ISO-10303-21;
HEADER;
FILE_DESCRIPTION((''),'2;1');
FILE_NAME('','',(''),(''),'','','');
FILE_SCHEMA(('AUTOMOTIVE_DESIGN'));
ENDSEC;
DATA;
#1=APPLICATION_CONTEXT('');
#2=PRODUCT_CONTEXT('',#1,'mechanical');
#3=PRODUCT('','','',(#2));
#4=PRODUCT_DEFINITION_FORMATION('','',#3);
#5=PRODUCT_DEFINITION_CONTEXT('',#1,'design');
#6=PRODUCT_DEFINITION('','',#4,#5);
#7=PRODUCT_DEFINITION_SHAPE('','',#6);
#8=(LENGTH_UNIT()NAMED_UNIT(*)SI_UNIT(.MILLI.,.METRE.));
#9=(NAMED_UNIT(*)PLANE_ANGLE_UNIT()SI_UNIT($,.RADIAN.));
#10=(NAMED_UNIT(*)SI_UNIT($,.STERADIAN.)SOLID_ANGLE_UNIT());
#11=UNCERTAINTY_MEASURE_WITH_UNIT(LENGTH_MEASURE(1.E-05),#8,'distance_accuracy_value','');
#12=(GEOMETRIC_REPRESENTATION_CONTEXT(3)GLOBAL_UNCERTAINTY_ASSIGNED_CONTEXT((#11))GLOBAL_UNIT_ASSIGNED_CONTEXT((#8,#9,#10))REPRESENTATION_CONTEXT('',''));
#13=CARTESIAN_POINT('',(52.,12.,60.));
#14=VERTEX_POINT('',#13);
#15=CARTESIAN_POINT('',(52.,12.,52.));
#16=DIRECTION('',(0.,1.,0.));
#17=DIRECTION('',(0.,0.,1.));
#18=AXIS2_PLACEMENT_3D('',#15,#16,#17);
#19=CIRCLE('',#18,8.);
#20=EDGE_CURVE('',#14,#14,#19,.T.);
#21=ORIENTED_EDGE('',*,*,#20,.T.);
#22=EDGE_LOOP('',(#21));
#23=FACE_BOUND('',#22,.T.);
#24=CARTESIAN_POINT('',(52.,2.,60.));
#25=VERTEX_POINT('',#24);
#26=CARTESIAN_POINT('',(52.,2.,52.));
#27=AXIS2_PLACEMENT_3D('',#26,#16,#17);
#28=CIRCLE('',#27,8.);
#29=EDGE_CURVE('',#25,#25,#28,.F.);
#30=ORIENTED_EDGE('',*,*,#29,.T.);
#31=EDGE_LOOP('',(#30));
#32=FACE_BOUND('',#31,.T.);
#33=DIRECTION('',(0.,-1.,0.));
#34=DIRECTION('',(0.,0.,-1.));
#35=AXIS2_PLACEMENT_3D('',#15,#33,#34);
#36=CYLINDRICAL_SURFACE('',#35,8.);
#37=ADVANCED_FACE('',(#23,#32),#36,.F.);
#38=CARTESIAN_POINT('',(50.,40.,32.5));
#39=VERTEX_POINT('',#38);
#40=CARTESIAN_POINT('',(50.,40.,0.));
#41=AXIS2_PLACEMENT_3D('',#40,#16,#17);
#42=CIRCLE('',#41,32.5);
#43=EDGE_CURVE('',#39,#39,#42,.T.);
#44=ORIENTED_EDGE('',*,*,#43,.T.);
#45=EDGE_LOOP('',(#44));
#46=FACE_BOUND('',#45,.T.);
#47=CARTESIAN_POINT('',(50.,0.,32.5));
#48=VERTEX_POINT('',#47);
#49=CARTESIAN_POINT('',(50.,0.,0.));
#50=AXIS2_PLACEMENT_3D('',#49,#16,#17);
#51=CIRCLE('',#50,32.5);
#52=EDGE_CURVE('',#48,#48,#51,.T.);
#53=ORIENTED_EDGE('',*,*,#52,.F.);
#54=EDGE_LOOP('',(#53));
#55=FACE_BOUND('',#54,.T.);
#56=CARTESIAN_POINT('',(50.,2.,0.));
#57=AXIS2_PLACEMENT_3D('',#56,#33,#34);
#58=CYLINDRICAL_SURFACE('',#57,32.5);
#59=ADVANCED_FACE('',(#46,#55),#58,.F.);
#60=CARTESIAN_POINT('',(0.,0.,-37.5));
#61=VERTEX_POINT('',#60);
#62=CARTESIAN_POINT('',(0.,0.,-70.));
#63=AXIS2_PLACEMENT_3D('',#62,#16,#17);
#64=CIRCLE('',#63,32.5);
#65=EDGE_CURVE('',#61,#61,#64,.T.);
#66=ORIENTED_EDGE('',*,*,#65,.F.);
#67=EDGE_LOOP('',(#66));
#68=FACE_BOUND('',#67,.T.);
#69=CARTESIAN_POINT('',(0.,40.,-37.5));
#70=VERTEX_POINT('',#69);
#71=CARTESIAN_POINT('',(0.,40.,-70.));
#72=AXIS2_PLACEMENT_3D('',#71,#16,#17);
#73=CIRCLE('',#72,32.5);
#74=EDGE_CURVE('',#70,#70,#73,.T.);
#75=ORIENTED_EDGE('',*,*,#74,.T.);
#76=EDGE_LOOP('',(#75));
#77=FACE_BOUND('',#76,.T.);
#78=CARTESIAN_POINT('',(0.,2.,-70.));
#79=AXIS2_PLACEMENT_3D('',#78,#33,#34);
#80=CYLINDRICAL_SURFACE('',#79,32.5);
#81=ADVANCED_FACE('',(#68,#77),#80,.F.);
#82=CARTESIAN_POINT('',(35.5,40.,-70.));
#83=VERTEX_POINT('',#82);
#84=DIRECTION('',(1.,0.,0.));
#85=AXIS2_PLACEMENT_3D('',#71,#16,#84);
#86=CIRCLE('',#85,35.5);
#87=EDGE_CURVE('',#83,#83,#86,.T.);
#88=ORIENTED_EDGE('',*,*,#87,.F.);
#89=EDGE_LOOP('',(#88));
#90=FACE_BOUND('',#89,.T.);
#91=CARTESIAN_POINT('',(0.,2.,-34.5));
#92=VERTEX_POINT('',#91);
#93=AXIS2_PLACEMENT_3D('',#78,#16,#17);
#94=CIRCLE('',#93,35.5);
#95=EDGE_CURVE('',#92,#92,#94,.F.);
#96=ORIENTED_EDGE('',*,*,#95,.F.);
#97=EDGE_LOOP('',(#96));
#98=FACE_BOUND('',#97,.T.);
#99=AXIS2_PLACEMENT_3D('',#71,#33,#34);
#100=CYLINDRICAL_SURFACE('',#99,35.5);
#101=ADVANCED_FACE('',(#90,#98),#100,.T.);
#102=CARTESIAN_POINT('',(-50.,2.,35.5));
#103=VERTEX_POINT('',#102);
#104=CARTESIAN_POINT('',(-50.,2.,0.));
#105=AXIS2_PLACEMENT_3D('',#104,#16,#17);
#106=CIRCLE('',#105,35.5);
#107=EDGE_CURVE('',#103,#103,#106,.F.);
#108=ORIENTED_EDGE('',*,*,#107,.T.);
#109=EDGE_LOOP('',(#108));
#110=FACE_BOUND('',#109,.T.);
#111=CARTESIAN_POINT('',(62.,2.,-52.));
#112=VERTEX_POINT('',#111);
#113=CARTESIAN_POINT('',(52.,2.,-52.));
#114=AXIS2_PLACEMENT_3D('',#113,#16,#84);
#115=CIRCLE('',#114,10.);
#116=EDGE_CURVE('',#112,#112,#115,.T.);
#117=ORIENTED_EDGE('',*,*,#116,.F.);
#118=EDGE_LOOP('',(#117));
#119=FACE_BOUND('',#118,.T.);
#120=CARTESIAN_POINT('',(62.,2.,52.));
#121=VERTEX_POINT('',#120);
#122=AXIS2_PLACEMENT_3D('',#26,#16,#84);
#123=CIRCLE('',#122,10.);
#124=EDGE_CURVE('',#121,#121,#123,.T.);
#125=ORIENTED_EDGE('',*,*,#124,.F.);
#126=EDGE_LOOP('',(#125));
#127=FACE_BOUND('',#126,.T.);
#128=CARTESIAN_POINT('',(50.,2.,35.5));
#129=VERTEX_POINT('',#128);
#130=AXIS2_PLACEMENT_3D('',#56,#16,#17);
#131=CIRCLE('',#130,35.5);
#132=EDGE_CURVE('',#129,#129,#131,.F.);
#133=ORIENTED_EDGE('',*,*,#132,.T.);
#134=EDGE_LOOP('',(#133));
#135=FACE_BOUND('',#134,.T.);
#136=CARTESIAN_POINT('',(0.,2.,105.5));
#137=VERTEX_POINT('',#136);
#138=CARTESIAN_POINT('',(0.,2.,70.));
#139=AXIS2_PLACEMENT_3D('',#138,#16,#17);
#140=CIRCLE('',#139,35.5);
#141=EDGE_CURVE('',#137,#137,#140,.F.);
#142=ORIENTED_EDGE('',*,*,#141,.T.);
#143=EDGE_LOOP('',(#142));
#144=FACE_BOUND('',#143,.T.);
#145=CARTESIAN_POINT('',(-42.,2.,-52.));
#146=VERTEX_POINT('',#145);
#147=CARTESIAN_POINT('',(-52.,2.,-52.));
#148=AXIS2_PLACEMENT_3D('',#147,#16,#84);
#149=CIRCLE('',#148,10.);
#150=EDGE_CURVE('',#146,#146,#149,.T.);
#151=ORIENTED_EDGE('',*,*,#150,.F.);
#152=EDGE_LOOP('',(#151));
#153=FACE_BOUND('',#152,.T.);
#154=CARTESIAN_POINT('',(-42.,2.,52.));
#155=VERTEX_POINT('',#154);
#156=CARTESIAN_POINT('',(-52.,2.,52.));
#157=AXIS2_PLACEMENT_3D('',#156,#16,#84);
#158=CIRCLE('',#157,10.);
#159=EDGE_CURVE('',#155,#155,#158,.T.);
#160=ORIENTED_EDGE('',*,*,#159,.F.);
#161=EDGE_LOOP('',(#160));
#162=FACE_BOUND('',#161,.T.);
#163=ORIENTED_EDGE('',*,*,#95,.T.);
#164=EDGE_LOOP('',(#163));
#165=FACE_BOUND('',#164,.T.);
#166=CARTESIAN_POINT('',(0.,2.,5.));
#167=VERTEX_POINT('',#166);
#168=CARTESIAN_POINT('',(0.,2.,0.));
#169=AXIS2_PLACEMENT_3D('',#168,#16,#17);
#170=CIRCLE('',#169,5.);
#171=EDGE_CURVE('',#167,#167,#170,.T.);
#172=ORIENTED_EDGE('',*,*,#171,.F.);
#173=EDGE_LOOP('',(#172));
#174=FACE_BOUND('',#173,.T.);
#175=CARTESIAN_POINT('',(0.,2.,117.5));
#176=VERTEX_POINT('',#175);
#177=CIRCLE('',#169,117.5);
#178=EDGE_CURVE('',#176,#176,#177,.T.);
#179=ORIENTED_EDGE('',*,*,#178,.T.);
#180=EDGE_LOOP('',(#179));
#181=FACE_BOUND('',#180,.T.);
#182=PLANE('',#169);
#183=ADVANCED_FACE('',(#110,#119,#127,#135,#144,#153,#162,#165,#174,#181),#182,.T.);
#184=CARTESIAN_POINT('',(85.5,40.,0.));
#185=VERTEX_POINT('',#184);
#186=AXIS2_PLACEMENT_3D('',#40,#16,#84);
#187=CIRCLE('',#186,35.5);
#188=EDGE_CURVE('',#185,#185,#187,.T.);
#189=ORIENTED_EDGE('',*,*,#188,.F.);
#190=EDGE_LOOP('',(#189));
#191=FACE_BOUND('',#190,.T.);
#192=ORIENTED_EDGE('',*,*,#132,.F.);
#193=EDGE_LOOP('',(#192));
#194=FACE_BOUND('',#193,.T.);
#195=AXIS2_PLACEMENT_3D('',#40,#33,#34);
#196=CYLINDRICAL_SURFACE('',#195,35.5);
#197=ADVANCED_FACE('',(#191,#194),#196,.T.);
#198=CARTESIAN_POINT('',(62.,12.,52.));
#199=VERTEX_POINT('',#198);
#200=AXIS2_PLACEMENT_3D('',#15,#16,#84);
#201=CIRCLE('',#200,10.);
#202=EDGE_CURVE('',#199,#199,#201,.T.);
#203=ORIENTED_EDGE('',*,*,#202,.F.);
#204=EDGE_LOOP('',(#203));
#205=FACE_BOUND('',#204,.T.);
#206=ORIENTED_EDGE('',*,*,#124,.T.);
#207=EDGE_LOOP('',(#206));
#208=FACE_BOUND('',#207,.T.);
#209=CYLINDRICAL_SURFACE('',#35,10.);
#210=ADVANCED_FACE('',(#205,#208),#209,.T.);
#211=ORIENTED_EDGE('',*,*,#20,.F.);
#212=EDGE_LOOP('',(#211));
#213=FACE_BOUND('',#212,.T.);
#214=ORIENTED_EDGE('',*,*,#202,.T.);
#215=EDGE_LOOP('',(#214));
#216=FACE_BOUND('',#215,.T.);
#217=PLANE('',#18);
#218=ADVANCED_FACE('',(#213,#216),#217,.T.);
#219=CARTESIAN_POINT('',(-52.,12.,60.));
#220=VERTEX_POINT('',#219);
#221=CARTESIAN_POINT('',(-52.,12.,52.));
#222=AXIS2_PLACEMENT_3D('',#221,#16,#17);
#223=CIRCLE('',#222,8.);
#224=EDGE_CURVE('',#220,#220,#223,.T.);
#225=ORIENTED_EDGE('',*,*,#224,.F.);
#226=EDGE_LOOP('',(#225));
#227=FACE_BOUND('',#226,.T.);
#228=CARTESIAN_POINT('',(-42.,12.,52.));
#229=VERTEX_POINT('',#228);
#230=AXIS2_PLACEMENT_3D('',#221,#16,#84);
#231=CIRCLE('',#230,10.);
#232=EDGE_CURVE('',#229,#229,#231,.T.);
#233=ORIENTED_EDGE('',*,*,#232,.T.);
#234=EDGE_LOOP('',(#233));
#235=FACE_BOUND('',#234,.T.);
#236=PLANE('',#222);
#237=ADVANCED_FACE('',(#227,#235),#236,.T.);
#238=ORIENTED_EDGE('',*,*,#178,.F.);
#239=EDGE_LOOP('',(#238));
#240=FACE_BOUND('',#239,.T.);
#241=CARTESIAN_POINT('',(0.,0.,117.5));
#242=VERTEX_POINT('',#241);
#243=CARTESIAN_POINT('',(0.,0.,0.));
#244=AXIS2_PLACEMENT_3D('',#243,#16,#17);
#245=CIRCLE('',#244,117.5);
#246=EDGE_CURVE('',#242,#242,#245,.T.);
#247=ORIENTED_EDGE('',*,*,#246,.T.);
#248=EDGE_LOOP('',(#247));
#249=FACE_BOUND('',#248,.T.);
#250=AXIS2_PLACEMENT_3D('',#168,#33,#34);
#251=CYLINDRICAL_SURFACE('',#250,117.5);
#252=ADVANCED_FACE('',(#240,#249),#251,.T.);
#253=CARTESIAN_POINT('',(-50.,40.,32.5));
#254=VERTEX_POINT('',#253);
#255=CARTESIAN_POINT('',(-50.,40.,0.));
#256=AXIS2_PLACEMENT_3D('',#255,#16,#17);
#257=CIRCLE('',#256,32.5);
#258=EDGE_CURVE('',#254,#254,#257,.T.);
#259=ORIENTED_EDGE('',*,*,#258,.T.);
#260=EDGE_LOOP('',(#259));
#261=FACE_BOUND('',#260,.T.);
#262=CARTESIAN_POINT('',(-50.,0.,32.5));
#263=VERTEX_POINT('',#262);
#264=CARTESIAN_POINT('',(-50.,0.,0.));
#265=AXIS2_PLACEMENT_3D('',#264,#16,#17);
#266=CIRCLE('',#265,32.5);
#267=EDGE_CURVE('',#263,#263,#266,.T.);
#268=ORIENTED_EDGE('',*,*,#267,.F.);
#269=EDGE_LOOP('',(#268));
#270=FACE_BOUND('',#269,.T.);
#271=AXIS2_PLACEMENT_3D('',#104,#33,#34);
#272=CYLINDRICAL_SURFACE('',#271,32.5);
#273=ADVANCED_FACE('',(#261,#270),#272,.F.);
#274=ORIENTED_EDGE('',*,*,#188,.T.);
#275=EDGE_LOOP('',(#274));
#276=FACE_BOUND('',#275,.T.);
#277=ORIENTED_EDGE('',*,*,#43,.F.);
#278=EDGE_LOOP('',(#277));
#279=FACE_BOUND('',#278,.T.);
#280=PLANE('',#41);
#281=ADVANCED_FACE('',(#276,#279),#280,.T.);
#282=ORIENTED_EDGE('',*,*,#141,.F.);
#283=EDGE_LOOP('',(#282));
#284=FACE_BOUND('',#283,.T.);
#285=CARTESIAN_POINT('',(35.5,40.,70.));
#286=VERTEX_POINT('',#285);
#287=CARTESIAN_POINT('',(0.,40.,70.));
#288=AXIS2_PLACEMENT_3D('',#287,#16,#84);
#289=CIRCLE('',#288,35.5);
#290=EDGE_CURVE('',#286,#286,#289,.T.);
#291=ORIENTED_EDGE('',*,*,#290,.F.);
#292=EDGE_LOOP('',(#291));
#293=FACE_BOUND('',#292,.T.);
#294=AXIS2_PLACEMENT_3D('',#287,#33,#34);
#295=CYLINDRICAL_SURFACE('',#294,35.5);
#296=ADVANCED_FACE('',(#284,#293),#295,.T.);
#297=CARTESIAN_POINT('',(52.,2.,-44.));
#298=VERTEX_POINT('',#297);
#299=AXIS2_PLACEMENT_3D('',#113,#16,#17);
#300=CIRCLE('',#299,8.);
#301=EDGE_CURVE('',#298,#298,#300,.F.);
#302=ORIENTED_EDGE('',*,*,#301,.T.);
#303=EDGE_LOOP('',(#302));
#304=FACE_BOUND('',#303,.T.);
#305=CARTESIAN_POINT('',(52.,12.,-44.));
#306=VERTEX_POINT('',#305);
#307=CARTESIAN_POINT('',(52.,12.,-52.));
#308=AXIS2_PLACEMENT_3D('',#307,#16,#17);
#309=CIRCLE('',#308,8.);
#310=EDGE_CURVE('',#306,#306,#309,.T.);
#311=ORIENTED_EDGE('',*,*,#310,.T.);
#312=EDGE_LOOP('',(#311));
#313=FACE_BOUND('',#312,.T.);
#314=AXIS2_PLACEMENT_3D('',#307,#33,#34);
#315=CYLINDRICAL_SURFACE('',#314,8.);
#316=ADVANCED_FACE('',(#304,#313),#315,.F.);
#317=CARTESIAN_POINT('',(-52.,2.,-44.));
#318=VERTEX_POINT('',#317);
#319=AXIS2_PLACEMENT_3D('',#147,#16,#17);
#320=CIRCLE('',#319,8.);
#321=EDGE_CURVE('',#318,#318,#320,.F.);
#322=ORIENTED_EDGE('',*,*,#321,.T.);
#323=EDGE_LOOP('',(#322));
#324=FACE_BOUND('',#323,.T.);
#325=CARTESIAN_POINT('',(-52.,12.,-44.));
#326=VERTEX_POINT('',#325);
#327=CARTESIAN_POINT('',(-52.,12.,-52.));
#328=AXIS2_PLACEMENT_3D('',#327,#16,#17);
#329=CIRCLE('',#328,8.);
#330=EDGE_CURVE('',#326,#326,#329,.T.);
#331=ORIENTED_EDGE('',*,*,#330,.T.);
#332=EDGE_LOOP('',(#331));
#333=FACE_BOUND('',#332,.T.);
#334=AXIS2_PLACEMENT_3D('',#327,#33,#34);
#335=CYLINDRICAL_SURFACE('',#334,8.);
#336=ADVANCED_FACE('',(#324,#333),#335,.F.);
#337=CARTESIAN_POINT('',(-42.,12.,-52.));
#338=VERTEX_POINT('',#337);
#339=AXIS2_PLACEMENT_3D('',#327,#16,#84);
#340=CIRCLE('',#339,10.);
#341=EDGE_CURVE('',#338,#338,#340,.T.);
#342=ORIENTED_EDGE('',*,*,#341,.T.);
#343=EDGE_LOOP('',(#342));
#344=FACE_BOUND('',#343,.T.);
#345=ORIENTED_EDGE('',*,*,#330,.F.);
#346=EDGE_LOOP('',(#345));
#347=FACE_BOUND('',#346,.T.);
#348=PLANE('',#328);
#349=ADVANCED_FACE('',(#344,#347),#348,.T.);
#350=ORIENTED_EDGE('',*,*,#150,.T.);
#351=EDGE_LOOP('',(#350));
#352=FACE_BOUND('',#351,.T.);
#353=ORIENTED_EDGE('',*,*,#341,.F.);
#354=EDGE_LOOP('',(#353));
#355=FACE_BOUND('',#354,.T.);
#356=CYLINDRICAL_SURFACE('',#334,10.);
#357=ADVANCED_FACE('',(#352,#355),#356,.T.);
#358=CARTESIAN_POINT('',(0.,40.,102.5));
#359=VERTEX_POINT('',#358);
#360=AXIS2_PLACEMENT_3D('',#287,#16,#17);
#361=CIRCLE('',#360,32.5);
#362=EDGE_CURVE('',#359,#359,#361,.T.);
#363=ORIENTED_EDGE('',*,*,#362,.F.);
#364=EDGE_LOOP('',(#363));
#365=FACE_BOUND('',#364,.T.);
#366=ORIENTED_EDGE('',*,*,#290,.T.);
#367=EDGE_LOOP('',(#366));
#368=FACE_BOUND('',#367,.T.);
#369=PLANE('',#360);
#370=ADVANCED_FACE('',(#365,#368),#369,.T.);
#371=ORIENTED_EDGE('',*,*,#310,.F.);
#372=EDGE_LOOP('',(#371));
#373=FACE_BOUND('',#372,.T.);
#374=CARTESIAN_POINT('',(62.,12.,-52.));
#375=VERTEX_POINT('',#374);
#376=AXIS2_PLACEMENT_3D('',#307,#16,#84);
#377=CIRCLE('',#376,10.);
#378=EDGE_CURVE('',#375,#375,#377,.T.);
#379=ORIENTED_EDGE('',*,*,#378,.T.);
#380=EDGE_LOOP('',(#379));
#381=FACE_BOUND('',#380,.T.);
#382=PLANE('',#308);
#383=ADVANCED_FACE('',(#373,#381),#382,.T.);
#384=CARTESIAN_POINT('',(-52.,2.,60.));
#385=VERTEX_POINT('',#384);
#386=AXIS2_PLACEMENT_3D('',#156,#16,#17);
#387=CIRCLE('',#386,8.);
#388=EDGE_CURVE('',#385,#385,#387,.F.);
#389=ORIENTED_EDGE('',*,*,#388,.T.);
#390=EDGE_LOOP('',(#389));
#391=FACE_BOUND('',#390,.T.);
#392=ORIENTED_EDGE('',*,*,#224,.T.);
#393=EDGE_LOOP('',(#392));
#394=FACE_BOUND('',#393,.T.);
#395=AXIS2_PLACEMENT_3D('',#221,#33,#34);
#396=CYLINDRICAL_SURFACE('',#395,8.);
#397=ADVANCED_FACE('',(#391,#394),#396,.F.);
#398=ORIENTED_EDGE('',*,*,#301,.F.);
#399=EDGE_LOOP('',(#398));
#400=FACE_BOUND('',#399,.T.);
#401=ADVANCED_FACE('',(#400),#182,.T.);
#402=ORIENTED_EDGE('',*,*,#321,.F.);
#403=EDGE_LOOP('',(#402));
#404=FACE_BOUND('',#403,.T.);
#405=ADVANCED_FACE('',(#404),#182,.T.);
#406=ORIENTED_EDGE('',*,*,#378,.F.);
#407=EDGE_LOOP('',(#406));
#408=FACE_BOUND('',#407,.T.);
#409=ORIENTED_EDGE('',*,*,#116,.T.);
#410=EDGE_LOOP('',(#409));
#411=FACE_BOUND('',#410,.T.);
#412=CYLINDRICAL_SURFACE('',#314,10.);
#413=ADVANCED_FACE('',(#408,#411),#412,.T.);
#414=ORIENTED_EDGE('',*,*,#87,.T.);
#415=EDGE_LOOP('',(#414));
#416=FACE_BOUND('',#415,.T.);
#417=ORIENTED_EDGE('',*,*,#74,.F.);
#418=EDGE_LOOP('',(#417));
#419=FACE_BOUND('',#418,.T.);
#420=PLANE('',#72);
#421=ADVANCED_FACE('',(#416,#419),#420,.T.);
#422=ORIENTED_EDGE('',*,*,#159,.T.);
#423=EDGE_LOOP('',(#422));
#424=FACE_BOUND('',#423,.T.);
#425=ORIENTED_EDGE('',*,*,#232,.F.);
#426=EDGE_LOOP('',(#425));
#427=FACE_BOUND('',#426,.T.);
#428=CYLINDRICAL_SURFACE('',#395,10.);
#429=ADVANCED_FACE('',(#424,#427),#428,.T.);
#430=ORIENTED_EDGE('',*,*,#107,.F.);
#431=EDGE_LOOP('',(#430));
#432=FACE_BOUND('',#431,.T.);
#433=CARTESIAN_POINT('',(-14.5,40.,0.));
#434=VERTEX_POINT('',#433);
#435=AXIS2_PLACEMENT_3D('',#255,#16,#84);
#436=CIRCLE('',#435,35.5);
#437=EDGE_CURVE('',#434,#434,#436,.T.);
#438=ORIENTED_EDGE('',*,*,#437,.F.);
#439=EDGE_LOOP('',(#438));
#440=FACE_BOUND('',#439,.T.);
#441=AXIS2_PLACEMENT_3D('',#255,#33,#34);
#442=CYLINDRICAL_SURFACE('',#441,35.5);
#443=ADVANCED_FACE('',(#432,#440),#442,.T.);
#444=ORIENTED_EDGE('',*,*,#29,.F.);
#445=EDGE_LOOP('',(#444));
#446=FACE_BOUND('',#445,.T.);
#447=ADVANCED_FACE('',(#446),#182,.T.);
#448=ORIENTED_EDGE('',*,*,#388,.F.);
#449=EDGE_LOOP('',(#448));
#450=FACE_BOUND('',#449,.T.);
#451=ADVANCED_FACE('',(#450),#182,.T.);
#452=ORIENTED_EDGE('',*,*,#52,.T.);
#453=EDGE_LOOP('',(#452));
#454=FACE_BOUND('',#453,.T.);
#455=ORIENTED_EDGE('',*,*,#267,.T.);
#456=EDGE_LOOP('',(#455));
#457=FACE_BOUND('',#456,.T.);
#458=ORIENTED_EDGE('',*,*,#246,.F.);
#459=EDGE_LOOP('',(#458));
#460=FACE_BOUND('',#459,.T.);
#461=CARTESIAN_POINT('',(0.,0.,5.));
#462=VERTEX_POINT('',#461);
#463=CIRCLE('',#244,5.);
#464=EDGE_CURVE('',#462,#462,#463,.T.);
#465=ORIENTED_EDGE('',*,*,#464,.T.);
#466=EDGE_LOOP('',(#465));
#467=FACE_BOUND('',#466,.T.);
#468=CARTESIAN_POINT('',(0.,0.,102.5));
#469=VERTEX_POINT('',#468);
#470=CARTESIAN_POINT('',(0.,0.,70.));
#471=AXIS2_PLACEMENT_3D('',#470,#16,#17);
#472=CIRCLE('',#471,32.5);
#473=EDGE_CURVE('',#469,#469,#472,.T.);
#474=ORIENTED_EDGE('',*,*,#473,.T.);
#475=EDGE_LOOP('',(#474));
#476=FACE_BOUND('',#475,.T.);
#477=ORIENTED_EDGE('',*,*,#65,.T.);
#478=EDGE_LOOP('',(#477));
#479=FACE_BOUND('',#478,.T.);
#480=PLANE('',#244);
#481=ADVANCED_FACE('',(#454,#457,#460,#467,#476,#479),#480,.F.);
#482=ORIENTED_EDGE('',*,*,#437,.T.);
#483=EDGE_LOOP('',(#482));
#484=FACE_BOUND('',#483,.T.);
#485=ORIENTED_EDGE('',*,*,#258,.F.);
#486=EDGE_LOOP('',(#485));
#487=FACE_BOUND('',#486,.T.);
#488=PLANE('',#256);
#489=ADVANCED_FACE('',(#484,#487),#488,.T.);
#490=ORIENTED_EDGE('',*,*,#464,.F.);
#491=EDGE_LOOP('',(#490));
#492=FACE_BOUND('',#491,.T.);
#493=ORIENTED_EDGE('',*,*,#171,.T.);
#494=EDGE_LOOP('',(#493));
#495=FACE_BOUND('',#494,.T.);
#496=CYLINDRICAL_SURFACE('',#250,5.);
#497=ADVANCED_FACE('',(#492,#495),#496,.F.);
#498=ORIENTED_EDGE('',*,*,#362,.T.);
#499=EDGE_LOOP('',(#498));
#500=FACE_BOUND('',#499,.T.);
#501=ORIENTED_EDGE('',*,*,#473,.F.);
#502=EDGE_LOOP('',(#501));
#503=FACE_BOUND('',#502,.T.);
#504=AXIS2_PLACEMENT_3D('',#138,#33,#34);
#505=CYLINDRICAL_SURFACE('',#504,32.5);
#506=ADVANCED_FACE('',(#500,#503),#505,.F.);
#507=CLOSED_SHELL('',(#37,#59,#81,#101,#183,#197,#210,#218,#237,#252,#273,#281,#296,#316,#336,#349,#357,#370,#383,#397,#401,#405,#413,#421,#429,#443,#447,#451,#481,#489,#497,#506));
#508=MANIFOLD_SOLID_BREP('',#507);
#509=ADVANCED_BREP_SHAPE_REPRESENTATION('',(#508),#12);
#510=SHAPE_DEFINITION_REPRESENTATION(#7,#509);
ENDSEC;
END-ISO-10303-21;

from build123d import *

# Parameters (mm, degrees)
IZIM1_R                     = 117.5
IZIM1_R_2                   = 32.5
IZIM1_R_3                   = 5
Y_KSEKLIK_EKSTR_ZYON1_DEPTH = 2
IZIM1_2_R                   = 35.5
IZIM1_2_R_2                 = 32.5
EKSTR_ZYON_NCE1_DEPTH       = 40
IZIM2_R                     = 10
IZIM2_R_2                   = 8
EKSTR_ZYON_NCE2_DEPTH       = 10


with BuildPart() as part:
    # Çizim1 → Yükseklik-Ekstrüzyon1 (new body)
    with BuildSketch(Plane(origin=(0, 0, 0), x_dir=(1, 0, 0), z_dir=(0, 1, 0))):
        Circle(IZIM1_R)
        with Locations((0, 70)):
            Circle(IZIM1_R_2, mode=Mode.SUBTRACT)
        with Locations((50, 0)):
            Circle(IZIM1_R_2, mode=Mode.SUBTRACT)
        with Locations((0, -70)):
            Circle(IZIM1_R_2, mode=Mode.SUBTRACT)
        with Locations((-50, 0)):
            Circle(IZIM1_R_2, mode=Mode.SUBTRACT)
        Circle(IZIM1_R_3, mode=Mode.SUBTRACT)
    extrude(amount=Y_KSEKLIK_EKSTR_ZYON1_DEPTH)

    # Çizim1<2> → Ekstrüzyon-İnce1 (add)
    with BuildSketch(Plane(origin=(0, 0, 0), x_dir=(1, 0, 0), z_dir=(0, 1, 0))):
        with Locations((0, 70)):
            Circle(IZIM1_2_R)
        with Locations((0, 70)):
            Circle(IZIM1_2_R_2, mode=Mode.SUBTRACT)
        with Locations((50, 0)):
            Circle(IZIM1_2_R)
        with Locations((50, 0)):
            Circle(IZIM1_2_R_2, mode=Mode.SUBTRACT)
        with Locations((0, -70)):
            Circle(IZIM1_2_R)
        with Locations((0, -70)):
            Circle(IZIM1_2_R_2, mode=Mode.SUBTRACT)
        with Locations((-50, 0)):
            Circle(IZIM1_2_R)
        with Locations((-50, 0)):
            Circle(IZIM1_2_R_2, mode=Mode.SUBTRACT)
    extrude(amount=EKSTR_ZYON_NCE1_DEPTH)

    # Çizim2 → Ekstrüzyon-İnce2 (add)
    with BuildSketch(Plane(origin=(0, 2, 0), x_dir=(1, 0, 0), z_dir=(0, 1, 0))):
        with Locations((52, -52)):
            Circle(IZIM2_R)
        with Locations((52, -52)):
            Circle(IZIM2_R_2, mode=Mode.SUBTRACT)
        with Locations((-52, -52)):
            Circle(IZIM2_R)
        with Locations((-52, -52)):
            Circle(IZIM2_R_2, mode=Mode.SUBTRACT)
        with Locations((-52, 52)):
            Circle(IZIM2_R)
        with Locations((-52, 52)):
            Circle(IZIM2_R_2, mode=Mode.SUBTRACT)
        with Locations((52, 52)):
            Circle(IZIM2_R)
        with Locations((52, 52)):
            Circle(IZIM2_R_2, mode=Mode.SUBTRACT)
    extrude(amount=EKSTR_ZYON_NCE2_DEPTH)


solid = part.part
